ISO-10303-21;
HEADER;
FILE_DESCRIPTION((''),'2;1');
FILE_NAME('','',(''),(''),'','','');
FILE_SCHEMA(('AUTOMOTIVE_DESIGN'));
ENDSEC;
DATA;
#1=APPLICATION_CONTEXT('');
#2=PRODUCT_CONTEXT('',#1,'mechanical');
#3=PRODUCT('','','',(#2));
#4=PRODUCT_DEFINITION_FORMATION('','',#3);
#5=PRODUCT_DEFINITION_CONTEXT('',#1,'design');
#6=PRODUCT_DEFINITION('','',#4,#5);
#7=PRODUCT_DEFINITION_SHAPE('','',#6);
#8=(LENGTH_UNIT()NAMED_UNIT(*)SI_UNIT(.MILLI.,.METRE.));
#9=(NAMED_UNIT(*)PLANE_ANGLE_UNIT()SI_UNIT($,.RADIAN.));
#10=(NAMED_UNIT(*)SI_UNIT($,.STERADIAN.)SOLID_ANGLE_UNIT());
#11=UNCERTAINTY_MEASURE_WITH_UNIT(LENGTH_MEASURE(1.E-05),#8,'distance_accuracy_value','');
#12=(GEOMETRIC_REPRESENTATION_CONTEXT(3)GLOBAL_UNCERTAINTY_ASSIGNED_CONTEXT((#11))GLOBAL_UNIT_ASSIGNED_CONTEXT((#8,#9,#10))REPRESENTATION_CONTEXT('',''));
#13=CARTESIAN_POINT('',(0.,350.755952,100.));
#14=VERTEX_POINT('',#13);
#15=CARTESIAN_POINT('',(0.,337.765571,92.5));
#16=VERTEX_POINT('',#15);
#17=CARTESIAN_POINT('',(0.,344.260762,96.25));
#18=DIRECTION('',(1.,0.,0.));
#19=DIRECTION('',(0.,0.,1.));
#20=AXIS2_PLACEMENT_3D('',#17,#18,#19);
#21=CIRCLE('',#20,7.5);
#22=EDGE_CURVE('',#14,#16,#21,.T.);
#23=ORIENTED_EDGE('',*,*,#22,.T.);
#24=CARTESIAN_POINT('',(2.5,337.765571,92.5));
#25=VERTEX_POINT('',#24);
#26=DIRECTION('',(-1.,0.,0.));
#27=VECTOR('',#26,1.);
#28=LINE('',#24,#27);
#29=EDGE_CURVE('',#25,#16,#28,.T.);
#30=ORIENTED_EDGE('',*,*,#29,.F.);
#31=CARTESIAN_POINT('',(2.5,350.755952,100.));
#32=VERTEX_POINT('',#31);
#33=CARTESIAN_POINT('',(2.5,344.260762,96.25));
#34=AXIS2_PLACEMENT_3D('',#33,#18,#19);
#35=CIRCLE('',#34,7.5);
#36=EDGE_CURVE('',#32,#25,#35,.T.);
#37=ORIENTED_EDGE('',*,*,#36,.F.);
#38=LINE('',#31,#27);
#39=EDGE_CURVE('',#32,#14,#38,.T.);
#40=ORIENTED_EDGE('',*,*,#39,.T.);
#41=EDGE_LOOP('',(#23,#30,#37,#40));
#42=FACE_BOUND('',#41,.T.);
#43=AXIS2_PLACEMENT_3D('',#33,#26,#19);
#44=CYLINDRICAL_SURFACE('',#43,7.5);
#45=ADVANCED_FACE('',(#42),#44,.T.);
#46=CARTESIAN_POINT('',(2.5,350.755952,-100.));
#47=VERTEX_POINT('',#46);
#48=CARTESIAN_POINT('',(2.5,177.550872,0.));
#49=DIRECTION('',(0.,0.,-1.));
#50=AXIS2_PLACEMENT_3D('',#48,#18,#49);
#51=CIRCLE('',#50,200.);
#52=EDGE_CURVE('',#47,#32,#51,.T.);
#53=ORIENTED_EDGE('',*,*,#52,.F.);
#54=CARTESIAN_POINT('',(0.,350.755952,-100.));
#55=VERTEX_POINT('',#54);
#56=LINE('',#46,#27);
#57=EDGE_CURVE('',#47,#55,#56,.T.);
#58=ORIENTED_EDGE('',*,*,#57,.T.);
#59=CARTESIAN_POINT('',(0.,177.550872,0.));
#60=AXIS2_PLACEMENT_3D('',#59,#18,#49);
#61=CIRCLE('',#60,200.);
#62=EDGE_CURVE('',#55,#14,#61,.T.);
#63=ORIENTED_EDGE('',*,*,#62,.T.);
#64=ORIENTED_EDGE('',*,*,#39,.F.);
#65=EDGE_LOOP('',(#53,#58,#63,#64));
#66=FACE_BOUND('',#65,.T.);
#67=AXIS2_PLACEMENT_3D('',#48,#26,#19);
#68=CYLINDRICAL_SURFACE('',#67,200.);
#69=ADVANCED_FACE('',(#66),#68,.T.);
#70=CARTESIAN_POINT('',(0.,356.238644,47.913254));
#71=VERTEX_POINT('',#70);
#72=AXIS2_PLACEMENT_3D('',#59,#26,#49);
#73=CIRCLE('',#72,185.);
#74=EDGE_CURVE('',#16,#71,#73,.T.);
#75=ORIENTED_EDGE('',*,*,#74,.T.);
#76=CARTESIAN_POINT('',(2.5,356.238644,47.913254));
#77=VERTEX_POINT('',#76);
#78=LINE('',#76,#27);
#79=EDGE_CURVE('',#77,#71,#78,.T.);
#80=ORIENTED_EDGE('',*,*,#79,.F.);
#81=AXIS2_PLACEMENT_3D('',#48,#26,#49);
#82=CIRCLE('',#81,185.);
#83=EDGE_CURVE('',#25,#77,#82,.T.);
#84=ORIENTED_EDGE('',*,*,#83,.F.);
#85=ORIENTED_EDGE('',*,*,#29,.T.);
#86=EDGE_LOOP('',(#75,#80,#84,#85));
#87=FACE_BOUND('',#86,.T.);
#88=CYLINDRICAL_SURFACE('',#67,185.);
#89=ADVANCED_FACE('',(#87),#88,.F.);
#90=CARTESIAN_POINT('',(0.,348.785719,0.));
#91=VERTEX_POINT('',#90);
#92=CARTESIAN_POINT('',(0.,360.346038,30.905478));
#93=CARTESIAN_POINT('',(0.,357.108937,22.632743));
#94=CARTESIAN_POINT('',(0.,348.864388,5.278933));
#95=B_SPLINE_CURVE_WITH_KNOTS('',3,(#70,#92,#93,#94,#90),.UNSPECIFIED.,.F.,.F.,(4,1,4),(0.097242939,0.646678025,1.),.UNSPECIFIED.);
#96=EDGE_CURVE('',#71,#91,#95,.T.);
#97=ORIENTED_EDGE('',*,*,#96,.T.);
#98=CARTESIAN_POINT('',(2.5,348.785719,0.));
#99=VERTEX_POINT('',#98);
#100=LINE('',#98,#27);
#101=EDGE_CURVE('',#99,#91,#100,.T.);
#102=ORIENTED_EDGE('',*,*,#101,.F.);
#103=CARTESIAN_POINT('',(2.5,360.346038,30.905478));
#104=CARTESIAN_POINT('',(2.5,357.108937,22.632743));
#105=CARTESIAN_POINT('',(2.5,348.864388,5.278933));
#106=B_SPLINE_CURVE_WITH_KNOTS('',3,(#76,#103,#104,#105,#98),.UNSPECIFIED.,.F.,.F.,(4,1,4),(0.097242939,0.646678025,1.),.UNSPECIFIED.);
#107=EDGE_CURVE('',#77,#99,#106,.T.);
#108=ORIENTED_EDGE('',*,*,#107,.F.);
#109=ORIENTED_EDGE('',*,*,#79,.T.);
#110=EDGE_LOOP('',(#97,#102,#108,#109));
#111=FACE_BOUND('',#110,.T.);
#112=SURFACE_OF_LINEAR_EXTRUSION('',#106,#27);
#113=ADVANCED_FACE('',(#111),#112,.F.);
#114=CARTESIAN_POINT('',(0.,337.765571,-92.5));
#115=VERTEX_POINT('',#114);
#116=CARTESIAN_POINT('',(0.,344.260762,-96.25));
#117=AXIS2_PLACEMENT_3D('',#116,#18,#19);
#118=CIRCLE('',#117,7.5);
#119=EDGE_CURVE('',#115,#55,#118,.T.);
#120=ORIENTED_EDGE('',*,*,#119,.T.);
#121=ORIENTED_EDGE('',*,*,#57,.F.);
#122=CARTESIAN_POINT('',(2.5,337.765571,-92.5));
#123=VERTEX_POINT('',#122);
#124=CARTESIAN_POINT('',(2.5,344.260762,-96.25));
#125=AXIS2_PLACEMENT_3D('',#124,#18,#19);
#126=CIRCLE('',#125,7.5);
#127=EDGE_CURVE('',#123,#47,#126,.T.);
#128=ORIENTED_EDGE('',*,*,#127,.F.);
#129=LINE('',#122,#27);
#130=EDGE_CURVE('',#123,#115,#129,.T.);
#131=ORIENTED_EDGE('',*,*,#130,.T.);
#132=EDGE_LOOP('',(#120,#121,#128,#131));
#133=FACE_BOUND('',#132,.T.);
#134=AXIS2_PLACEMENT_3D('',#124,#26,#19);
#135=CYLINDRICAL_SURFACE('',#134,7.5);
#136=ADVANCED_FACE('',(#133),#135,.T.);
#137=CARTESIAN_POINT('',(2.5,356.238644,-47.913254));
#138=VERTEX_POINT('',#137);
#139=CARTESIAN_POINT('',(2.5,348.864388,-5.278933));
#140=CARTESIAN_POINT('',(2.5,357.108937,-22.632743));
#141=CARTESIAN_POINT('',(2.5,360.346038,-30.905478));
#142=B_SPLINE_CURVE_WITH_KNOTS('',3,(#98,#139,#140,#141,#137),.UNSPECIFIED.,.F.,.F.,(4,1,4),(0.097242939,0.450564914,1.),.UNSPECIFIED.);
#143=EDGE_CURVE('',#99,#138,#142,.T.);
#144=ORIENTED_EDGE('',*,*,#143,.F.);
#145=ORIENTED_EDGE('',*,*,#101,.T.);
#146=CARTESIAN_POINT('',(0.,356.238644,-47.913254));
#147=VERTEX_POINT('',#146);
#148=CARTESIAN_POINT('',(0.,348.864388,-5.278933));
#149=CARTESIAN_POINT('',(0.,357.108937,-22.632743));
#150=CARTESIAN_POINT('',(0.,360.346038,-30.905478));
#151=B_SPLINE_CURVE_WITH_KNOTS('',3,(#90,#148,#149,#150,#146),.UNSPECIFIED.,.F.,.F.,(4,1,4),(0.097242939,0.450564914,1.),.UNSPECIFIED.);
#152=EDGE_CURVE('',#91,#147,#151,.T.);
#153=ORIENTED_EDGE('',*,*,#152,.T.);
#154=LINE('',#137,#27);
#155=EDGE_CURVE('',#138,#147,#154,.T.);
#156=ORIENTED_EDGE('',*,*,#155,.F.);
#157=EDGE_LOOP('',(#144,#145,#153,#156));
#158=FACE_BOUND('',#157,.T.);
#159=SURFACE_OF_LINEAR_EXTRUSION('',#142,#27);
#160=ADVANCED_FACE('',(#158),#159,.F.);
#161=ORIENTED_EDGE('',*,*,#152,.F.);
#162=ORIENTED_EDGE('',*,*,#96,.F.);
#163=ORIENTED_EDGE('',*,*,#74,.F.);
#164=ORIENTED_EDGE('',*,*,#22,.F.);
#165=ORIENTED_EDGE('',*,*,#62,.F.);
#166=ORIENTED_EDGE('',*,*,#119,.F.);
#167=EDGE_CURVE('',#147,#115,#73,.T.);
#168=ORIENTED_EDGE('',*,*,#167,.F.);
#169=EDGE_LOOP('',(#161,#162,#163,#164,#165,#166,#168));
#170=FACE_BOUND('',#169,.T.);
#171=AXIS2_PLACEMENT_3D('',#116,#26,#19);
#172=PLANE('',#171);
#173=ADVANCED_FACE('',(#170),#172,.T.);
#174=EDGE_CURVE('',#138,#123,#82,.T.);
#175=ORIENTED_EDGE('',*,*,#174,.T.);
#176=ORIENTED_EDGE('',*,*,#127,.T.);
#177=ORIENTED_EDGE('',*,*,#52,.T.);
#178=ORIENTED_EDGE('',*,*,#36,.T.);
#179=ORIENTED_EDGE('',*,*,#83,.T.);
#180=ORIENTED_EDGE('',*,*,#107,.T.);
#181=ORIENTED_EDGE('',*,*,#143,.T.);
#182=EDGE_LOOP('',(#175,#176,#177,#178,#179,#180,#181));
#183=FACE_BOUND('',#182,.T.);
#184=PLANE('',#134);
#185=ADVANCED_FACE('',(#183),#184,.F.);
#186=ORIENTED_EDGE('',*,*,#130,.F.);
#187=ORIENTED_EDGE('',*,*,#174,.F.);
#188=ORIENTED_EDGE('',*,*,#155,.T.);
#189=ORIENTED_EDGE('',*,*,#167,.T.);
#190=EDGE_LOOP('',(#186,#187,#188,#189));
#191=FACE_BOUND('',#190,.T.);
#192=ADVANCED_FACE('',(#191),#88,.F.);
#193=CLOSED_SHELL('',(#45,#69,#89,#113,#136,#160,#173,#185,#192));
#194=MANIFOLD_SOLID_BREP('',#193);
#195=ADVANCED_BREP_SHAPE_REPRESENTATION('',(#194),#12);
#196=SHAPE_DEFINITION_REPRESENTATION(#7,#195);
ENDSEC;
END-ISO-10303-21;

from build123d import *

# Parameters (mm, degrees)
RESSALTO_EXTRUS_O1_DEPTH = 2.5


with BuildPart() as part:
    # Esboço1 → Ressalto-extrusão1 (new body)
    with BuildSketch(Plane.YZ):
        with BuildLine():
            ThreePointArc((350.755952356, -100), (377.550871599, 0), (350.755952356, 100))
            ThreePointArc((350.755952356, 100), (340.510761827, 102.745190528), (337.765571299, 92.5))
            ThreePointArc((337.765571299, 92.5), (348.462298659, 70.811609925), (356.238644162, 47.913254287))
            add(Edge.make_bspline(
                [(356.238644162, 47.913254287), (360.34603799, 30.905478266), (357.108936786, 22.632743478), (348.864388441, 5.278932836), (348.785718872, 0)],
                knots=[0.097242939, 0.097242939, 0.097242939, 0.097242939, 0.646678025, 1, 1, 1, 1], degree=3))
            add(Edge.make_bspline(
                [(356.238644162, -47.913254287), (360.34603799, -30.905478266), (357.108936786, -22.632743478), (348.864388441, -5.278932836), (348.785718872, 0)],
                knots=[0.097242939, 0.097242939, 0.097242939, 0.097242939, 0.646678025, 1, 1, 1, 1], degree=3))
            ThreePointArc((356.238644162, -47.913254287), (348.462298659, -70.811609925), (337.765571299, -92.5))
            ThreePointArc((337.765571299, -92.5), (340.510761827, -102.745190528), (350.755952356, -100))
        make_face()
    extrude(amount=RESSALTO_EXTRUS_O1_DEPTH)


solid = part.part
